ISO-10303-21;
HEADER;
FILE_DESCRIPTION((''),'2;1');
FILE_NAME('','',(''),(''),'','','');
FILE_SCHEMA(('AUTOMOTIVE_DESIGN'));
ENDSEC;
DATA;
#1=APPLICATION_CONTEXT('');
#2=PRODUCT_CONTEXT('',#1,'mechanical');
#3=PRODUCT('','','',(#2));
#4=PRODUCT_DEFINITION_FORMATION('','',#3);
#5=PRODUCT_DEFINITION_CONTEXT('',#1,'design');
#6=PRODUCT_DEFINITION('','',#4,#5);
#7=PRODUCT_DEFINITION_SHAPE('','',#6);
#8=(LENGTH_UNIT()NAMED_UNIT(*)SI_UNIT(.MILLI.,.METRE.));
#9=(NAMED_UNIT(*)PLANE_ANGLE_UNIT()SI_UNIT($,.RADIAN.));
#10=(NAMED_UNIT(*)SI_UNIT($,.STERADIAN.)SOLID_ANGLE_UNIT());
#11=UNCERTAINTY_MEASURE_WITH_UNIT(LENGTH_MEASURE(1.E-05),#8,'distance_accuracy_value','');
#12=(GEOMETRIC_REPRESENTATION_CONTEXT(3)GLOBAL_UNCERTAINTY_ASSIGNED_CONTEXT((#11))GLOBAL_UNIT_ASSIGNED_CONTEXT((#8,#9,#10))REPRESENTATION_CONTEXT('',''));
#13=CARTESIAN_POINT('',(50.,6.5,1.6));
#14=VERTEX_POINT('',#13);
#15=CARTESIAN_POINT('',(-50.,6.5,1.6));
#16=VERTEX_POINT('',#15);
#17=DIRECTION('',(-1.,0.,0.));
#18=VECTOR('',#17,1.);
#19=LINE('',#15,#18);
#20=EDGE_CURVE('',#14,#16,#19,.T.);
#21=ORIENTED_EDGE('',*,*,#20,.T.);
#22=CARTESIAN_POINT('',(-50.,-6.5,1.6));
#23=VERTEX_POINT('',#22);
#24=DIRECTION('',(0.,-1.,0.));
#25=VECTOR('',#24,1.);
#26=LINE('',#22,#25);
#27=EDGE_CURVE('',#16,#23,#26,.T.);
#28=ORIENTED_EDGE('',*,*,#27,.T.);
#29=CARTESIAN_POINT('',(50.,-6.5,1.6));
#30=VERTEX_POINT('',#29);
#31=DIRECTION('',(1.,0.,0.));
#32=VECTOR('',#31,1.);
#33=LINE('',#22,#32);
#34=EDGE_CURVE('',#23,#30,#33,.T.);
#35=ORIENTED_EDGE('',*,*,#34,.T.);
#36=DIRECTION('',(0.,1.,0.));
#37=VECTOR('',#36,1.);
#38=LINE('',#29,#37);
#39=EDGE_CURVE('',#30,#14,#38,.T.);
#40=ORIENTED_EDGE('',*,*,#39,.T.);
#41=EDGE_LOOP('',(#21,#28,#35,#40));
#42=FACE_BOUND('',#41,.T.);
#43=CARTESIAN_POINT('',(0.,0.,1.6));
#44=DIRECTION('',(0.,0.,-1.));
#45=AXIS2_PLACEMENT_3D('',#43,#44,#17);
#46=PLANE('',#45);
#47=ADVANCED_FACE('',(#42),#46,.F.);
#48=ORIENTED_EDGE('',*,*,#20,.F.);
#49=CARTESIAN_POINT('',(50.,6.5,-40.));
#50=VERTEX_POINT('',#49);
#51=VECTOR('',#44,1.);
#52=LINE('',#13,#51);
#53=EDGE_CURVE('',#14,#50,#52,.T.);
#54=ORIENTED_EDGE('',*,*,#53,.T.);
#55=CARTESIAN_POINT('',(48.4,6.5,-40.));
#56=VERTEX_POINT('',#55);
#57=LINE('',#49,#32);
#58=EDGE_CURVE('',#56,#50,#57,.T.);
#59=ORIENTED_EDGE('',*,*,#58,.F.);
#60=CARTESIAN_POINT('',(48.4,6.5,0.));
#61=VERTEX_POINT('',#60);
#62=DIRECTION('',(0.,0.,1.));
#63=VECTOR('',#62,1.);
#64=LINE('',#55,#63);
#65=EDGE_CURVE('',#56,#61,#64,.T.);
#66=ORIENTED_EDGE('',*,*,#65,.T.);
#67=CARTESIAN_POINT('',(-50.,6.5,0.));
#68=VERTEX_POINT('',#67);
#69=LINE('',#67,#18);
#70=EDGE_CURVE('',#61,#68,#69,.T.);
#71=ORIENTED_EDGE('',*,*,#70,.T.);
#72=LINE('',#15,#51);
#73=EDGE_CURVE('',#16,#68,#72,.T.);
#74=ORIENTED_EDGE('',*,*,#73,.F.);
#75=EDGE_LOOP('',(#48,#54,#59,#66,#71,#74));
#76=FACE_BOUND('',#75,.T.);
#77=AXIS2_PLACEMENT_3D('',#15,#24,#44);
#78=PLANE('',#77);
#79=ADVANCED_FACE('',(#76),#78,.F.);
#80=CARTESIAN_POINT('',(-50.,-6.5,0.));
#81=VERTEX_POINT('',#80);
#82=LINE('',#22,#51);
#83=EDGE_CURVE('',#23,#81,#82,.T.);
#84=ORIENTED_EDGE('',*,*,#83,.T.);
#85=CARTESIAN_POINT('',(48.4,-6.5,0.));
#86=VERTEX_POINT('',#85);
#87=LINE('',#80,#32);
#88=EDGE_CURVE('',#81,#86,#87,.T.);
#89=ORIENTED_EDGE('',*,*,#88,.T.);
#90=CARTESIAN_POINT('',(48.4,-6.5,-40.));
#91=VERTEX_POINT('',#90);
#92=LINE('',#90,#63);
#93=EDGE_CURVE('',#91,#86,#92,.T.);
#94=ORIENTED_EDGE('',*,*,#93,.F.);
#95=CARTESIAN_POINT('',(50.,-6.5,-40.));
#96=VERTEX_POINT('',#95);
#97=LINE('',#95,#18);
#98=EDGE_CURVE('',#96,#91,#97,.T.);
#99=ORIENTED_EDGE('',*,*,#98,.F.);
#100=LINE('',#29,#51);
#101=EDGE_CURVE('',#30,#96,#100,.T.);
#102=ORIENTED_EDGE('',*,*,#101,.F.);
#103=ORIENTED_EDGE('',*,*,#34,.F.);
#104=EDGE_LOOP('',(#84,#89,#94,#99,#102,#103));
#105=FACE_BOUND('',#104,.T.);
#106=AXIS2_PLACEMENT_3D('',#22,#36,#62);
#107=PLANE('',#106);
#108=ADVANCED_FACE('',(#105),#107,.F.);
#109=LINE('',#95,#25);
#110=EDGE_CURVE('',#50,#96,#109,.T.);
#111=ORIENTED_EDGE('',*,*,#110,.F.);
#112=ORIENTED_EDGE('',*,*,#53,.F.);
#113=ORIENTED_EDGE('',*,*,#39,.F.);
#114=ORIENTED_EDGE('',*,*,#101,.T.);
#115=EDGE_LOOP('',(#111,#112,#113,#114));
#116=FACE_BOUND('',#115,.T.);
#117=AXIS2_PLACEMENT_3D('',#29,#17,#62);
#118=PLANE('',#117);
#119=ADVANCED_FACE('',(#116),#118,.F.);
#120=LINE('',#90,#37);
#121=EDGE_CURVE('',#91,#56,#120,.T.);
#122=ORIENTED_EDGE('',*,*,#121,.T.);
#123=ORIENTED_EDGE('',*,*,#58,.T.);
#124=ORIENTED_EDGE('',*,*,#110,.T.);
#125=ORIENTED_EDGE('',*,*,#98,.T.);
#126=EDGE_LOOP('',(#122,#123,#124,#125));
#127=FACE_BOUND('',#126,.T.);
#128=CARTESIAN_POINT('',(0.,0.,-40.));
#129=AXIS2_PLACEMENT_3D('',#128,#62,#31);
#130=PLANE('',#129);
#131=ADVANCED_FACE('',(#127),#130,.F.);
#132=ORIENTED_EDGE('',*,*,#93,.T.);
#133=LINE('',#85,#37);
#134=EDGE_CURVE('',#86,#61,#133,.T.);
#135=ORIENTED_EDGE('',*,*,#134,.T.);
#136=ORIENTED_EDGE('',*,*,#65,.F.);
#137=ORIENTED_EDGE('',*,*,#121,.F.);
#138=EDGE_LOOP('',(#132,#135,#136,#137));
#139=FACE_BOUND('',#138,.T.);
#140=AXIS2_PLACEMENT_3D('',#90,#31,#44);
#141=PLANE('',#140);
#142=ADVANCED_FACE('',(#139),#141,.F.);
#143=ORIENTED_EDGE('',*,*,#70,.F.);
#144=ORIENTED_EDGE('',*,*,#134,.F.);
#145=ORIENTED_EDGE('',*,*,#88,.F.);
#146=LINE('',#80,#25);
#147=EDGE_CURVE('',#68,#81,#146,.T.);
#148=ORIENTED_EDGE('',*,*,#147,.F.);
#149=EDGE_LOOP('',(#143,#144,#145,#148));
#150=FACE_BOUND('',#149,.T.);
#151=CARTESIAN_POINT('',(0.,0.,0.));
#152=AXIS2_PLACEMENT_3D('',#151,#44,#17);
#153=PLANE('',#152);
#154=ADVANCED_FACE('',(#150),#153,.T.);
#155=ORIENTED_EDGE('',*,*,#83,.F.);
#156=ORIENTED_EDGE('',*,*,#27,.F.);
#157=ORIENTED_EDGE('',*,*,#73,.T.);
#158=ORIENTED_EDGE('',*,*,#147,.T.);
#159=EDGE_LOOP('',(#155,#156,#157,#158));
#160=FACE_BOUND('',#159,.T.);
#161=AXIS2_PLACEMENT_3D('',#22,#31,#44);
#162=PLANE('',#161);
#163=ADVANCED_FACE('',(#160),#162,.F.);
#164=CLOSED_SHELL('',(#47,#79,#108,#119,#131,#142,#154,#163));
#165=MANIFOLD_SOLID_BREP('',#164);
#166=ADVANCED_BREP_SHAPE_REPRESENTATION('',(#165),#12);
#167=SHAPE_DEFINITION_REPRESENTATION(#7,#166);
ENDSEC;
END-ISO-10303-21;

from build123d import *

# Parameters (mm, degrees)
SKETCH1_W           = 100
SKETCH1_H           = 13
BOSS_EXTRUDE1_DEPTH = 1.6
SKETCH3_W           = 1.6
SKETCH3_H           = 13
BOSS_EXTRUDE2_DEPTH = 40


with BuildPart() as part:
    # Sketch1 → Boss-Extrude1 (new body)
    with BuildSketch(Plane.XY):
        Rectangle(SKETCH1_W, SKETCH1_H)
    extrude(amount=BOSS_EXTRUDE1_DEPTH)

    # Sketch3 → Boss-Extrude2 (add)
    with BuildSketch(Plane(origin=(0, 0, 0), x_dir=(-1, 0, 0), z_dir=(0, 0, -1))):
        with Locations((-49.2, 0)):
            Rectangle(SKETCH3_W, SKETCH3_H)
    extrude(amount=BOSS_EXTRUDE2_DEPTH)


solid = part.part
